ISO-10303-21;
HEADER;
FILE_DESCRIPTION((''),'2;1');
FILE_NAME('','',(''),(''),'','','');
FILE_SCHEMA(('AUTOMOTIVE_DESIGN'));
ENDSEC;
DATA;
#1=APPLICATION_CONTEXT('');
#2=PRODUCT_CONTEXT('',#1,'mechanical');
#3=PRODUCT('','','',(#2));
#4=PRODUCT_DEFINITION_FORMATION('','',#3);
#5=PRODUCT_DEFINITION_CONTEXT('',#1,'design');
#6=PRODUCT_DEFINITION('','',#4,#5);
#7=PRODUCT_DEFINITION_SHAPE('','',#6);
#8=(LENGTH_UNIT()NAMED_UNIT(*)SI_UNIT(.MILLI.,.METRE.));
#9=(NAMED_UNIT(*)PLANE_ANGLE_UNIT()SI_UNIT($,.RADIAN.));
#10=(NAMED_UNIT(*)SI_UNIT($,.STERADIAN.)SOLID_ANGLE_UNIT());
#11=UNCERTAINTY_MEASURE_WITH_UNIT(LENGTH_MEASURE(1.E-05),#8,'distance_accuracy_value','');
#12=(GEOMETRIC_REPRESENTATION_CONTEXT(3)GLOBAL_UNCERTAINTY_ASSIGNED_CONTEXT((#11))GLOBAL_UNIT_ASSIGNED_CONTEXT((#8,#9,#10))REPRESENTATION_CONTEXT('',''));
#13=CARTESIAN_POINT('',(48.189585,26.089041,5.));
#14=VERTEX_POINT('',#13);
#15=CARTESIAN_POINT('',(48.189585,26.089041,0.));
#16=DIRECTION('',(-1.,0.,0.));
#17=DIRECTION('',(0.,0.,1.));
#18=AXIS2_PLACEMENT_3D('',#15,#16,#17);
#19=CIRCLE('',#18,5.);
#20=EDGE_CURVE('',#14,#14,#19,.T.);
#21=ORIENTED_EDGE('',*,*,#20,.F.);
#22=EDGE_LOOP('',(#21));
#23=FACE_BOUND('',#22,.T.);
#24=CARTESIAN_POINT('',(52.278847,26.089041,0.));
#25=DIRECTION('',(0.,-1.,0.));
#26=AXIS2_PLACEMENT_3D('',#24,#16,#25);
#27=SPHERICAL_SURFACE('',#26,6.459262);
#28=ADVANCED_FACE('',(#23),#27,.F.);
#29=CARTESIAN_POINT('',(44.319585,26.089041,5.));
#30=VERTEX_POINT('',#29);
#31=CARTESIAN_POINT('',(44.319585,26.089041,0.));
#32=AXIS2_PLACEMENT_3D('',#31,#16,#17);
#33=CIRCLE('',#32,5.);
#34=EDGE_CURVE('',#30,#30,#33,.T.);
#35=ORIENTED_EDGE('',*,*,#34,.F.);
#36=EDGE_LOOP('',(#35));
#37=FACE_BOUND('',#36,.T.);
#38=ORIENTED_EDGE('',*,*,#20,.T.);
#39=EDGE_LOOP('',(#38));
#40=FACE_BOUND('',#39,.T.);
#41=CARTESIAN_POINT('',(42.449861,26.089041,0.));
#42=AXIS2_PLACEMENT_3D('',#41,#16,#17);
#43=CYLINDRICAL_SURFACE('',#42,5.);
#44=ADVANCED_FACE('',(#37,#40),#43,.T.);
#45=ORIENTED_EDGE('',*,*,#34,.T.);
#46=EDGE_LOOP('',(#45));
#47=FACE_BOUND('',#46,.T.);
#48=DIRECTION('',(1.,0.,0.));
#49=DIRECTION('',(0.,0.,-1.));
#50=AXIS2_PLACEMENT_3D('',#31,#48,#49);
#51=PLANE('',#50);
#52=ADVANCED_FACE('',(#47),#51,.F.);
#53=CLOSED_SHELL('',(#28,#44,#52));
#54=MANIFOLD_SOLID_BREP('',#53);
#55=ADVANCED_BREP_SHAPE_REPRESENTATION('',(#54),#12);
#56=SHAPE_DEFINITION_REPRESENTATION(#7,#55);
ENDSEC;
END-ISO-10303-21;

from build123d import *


with BuildPart() as part:
    # 草图1 → 旋转1 (revolve)
    with BuildSketch(Plane.XY, mode=Mode.PRIVATE) as revolve_1_sk:
        with BuildLine():
            Line((44.319585498, 26.089041149), (44.319585498, 31.089041149))
            Line((44.319585498, 31.089041149), (48.189585498, 31.089041149))
            ThreePointArc((48.189585498, 31.089041149), (46.442081262, 28.855668157), (45.819585498, 26.089041149))
            Line((45.819585498, 26.089041149), (44.319585498, 26.089041149))
        make_face()
    revolve(revolve_1_sk.sketch.rotate(Axis((42.449861114, 26.089041149, 0), (1, 0, 0)), 180), axis=Axis((42.449861114, 26.089041149, 0), (1, 0, 0)))  # turned: the seam where the file's is


solid = part.part
